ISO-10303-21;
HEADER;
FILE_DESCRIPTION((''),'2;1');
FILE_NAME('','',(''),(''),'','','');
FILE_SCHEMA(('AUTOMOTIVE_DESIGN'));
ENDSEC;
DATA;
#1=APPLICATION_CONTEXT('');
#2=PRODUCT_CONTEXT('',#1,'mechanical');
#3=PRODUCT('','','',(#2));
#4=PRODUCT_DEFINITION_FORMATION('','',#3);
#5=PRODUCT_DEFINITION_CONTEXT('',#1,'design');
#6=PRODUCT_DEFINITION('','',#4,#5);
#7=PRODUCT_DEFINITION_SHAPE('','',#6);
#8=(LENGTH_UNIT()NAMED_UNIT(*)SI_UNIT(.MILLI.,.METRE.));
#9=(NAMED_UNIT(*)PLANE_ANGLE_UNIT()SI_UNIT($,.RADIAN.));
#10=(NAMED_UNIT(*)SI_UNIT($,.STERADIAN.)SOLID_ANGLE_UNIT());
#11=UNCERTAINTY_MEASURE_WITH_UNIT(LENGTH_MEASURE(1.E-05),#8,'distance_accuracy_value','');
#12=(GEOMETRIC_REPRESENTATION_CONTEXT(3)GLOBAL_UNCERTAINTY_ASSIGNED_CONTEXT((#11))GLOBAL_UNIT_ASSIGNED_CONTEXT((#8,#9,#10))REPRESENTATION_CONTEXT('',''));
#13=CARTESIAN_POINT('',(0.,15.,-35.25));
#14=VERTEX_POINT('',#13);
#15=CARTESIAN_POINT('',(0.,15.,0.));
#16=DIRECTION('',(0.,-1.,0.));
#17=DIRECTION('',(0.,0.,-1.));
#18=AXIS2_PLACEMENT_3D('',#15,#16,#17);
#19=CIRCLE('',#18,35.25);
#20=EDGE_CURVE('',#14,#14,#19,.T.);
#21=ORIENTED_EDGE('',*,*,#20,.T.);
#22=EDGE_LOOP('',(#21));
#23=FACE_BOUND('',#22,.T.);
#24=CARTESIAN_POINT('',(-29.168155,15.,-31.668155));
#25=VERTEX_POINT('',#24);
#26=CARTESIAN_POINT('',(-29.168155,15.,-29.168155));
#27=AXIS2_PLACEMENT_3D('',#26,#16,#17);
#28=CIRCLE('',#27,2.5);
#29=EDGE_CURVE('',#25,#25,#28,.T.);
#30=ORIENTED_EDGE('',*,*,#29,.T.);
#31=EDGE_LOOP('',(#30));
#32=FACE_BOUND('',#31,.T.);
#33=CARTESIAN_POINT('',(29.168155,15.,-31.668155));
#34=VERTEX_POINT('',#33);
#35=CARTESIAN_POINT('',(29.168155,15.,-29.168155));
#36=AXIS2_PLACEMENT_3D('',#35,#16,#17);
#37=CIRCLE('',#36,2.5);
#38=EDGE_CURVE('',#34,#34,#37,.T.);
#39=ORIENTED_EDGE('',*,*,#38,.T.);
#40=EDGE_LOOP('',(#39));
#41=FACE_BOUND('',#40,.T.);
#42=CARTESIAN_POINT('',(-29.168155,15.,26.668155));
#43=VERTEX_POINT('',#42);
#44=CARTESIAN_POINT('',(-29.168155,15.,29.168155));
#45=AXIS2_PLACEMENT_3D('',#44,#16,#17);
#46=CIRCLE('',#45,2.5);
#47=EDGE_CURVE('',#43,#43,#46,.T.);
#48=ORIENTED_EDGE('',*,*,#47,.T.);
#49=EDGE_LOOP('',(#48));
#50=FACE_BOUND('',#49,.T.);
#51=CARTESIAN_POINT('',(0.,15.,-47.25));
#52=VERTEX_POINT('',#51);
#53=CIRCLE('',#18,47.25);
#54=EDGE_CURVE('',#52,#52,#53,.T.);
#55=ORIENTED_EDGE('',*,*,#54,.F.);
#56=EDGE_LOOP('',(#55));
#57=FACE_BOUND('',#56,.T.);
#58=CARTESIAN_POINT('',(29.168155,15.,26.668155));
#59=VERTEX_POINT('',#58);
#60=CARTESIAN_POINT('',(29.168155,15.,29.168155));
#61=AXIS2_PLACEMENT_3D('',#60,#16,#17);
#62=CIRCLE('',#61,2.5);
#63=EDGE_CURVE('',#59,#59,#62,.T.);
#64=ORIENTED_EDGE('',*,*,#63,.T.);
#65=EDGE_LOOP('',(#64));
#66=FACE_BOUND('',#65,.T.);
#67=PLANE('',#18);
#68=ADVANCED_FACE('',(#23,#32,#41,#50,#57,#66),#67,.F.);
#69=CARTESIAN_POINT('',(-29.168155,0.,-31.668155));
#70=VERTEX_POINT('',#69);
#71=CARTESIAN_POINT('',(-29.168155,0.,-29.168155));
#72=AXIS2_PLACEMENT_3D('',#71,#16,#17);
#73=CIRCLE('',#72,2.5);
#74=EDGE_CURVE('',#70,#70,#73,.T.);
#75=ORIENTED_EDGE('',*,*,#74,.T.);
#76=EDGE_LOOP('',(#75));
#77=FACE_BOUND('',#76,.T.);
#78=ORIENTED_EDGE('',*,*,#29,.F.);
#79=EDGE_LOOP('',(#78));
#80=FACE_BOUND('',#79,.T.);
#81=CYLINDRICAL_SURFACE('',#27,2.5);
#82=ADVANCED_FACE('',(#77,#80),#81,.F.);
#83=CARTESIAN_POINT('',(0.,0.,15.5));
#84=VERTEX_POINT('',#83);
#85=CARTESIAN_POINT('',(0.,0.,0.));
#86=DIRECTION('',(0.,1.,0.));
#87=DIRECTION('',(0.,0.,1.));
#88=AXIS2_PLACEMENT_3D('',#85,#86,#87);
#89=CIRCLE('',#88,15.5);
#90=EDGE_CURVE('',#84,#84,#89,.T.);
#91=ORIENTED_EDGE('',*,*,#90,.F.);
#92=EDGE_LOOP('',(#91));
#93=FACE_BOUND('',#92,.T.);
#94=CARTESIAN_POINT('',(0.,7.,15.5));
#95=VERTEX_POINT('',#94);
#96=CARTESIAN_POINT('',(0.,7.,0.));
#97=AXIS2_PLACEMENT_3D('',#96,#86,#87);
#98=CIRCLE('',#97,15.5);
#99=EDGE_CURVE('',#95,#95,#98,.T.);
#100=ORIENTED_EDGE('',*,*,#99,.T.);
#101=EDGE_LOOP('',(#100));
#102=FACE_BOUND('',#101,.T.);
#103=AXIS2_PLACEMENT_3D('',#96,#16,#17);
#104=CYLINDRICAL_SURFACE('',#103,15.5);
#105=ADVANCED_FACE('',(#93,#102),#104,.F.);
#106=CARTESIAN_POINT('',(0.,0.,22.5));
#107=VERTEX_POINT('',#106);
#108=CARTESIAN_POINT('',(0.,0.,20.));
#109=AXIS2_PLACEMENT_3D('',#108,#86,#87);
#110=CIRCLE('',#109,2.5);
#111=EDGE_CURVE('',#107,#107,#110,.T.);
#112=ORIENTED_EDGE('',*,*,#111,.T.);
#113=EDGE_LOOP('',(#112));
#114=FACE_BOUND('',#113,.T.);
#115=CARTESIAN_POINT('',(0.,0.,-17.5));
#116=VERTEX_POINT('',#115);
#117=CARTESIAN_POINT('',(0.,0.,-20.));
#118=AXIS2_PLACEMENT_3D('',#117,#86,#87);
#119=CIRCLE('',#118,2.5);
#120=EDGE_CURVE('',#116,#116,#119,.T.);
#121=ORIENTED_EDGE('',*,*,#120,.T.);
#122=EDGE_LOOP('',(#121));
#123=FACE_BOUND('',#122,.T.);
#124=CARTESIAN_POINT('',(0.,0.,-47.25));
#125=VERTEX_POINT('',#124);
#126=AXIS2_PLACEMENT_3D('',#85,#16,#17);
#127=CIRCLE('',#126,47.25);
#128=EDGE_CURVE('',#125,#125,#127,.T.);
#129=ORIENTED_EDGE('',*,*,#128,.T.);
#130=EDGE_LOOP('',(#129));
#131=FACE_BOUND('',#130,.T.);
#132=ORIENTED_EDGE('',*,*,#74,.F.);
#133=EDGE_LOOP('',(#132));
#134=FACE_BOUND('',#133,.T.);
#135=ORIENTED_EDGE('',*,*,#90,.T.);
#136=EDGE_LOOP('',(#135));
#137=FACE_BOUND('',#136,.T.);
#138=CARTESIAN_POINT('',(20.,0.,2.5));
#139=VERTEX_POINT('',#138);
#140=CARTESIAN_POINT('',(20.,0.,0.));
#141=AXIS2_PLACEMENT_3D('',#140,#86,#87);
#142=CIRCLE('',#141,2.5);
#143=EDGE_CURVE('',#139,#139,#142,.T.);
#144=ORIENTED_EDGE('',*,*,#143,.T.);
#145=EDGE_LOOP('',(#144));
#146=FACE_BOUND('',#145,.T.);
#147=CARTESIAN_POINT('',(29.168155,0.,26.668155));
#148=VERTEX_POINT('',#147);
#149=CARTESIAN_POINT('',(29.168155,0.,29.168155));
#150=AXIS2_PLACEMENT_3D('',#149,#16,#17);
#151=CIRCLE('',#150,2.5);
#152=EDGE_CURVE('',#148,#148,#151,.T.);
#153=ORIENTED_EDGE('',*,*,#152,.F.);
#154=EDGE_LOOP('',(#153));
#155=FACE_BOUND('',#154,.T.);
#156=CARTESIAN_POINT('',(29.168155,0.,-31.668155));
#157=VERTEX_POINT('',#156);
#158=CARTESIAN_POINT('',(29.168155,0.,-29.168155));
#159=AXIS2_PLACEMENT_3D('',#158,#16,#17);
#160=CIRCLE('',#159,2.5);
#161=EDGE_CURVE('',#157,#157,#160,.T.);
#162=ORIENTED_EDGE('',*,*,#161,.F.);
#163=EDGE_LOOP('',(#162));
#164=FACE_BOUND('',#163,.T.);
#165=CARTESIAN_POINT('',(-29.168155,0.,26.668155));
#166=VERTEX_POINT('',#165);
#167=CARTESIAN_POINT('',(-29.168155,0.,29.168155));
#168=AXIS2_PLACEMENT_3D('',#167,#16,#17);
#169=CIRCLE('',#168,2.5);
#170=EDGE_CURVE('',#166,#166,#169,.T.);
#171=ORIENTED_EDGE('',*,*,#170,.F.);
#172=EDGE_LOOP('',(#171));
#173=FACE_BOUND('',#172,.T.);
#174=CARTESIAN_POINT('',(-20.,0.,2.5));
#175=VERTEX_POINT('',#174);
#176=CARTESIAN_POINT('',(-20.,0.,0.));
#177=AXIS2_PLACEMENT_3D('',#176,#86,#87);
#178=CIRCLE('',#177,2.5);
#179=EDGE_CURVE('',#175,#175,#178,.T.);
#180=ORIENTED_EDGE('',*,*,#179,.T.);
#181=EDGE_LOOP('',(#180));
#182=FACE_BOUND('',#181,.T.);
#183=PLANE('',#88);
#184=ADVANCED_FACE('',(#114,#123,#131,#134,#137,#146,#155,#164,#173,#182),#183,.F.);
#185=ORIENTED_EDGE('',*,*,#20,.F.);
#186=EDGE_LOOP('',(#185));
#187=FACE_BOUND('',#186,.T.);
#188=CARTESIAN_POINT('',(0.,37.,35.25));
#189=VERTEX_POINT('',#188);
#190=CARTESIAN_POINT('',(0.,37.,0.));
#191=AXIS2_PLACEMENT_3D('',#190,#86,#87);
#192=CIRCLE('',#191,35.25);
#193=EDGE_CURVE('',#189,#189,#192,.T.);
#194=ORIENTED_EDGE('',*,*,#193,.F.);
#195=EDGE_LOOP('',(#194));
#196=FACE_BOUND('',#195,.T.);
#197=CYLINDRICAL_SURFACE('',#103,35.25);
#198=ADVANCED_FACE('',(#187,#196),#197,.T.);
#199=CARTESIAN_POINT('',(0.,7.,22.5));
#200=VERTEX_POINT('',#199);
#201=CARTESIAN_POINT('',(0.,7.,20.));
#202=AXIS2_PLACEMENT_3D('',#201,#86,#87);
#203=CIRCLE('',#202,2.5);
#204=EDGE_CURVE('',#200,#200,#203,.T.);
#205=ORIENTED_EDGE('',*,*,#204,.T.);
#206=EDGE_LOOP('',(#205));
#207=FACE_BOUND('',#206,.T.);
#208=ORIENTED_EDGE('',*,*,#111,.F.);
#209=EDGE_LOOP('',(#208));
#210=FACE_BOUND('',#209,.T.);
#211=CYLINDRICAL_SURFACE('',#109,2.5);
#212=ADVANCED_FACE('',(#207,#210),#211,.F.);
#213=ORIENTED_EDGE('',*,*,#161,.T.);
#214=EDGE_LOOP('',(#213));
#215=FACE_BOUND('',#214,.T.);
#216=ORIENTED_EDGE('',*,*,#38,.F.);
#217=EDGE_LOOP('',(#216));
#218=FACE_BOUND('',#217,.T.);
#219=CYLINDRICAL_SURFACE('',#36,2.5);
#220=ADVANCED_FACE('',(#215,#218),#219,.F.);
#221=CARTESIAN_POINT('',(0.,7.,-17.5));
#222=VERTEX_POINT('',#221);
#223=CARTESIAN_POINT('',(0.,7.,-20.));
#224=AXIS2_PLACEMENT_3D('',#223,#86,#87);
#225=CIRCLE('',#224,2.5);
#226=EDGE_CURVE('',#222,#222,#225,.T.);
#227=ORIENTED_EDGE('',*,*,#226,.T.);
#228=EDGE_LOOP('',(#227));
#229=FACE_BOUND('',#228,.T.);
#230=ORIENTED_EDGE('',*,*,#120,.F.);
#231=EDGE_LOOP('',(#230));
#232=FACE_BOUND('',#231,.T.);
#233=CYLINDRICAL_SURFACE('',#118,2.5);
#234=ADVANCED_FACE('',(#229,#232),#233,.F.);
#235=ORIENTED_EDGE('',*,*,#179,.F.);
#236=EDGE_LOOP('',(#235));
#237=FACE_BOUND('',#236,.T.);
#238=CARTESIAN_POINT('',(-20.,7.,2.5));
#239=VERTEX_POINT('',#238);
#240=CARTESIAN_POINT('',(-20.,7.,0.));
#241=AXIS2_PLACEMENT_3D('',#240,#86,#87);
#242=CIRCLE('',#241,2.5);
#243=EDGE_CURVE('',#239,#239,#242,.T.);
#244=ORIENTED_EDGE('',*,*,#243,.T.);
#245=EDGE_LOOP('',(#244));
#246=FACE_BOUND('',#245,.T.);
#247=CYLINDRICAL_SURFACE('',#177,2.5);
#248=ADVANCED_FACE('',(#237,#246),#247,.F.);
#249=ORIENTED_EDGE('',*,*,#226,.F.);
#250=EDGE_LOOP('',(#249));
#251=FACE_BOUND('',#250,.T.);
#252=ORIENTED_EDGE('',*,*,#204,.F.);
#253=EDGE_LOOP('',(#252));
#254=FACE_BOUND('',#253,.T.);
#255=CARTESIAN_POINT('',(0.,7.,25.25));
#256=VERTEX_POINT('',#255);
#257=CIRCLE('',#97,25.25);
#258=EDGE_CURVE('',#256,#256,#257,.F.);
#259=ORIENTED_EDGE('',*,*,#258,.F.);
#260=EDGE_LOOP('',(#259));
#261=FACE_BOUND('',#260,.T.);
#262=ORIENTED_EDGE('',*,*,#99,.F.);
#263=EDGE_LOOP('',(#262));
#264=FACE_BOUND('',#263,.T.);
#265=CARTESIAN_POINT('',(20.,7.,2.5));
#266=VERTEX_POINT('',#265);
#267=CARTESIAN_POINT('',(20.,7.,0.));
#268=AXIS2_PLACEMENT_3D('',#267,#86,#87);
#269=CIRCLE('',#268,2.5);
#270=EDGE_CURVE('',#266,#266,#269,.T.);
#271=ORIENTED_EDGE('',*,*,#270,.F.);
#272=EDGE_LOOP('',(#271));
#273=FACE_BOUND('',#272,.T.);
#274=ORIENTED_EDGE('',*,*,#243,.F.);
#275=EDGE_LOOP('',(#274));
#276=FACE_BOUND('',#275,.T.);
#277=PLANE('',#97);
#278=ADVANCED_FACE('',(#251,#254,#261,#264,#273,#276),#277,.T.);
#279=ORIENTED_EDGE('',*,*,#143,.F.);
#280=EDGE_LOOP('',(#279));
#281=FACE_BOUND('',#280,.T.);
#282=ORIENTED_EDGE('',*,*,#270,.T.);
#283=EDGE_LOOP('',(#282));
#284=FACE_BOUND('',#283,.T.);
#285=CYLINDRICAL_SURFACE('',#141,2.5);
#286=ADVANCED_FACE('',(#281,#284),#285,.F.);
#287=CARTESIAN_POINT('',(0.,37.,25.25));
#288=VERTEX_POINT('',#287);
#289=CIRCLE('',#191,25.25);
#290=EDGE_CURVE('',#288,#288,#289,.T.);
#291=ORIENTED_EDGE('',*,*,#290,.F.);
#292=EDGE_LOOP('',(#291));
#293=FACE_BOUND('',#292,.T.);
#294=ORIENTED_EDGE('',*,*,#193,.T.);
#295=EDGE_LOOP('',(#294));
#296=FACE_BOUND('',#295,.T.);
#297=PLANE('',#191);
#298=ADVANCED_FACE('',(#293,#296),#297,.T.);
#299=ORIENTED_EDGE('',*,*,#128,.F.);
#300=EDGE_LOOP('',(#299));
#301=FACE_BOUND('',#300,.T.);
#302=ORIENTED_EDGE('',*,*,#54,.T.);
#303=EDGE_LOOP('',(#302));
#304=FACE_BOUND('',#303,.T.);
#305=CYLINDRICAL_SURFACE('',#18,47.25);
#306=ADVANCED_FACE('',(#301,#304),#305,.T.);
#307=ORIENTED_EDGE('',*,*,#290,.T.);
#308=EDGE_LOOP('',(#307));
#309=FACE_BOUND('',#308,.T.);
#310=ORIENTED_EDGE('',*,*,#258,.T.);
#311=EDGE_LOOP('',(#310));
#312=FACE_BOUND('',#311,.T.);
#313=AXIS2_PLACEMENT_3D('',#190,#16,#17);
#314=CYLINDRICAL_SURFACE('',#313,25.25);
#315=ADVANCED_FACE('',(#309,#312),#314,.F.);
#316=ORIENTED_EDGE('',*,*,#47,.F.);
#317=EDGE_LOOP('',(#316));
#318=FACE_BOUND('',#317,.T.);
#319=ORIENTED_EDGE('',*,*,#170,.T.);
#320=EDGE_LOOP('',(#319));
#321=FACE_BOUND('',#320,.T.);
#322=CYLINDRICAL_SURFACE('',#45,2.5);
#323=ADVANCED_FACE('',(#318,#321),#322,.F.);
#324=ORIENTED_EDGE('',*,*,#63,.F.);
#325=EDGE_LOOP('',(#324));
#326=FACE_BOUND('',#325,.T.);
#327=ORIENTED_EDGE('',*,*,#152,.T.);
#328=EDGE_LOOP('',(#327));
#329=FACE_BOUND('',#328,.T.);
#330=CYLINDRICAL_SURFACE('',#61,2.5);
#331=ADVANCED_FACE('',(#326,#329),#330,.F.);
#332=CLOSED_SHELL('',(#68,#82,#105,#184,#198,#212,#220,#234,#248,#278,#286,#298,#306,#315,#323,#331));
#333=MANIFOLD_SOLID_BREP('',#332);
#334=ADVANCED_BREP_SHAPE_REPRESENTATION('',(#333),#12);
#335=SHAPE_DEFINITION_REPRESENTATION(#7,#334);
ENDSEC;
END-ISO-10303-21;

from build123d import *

# Parameters (mm, degrees)
SKETCH1_R           = 35.25
SKETCH1_R_2         = 15.5
BOSS_EXTRUDE1_DEPTH = 7
SKETCH2_R           = 35.25
SKETCH2_R_2         = 25.25
BOSS_EXTRUDE2_DEPTH = 30
SKETCH3_R           = 2.5
CUT_EXTRUDE1_DEPTH  = 7
SKETCH4_R           = 47.25
SKETCH4_R_2         = 35.25
BOSS_EXTRUDE3_DEPTH = 15
SKETCH5_R           = 2.5
CUT_EXTRUDE2_DEPTH  = 15


with BuildPart() as part:
    # Sketch1 → Boss-Extrude1 (new body)
    with BuildSketch(Plane(origin=(0, 0, 0), x_dir=(1, 0, 0), z_dir=(0, 1, 0))):
        Circle(SKETCH1_R)
        Circle(SKETCH1_R_2, mode=Mode.SUBTRACT)
    extrude(amount=BOSS_EXTRUDE1_DEPTH)

    # Sketch2 → Boss-Extrude2 (add)
    with BuildSketch(Plane(origin=(0, 7, 0), x_dir=(1, 0, 0), z_dir=(0, 1, 0))):
        Circle(SKETCH2_R)
        Circle(SKETCH2_R_2, mode=Mode.SUBTRACT)
    extrude(amount=BOSS_EXTRUDE2_DEPTH)

    # Sketch3 → Cut-Extrude1 (cut)
    with BuildSketch(Plane(origin=(0, 7, 0), x_dir=(1, 0, 0), z_dir=(0, 1, 0))):
        with Locations((0, 20)):
            Circle(SKETCH3_R)
        with Locations((20, 0)):
            Circle(SKETCH3_R)
        with Locations((0, -20)):
            Circle(SKETCH3_R)
        with Locations((-20, 0)):
            Circle(SKETCH3_R)
    extrude(amount=-CUT_EXTRUDE1_DEPTH, mode=Mode.SUBTRACT)

    # Sketch4 → Boss-Extrude3 (add)
    with BuildSketch(Plane.XZ):
        Circle(SKETCH4_R)
        Circle(SKETCH4_R_2, mode=Mode.SUBTRACT)
    extrude(amount=-BOSS_EXTRUDE3_DEPTH)

    # Sketch5 → Cut-Extrude2 (cut)
    with BuildSketch(Plane.XZ):
        with Locations((29.168154724, 29.168154724)):
            Circle(SKETCH5_R)
        with Locations((29.168154724, -29.168154724)):
            Circle(SKETCH5_R)
        with Locations((-29.168154724, -29.168154724)):
            Circle(SKETCH5_R)
        with Locations((-29.168154724, 29.168154724)):
            Circle(SKETCH5_R)
    extrude(amount=-CUT_EXTRUDE2_DEPTH, mode=Mode.SUBTRACT)


solid = part.part
